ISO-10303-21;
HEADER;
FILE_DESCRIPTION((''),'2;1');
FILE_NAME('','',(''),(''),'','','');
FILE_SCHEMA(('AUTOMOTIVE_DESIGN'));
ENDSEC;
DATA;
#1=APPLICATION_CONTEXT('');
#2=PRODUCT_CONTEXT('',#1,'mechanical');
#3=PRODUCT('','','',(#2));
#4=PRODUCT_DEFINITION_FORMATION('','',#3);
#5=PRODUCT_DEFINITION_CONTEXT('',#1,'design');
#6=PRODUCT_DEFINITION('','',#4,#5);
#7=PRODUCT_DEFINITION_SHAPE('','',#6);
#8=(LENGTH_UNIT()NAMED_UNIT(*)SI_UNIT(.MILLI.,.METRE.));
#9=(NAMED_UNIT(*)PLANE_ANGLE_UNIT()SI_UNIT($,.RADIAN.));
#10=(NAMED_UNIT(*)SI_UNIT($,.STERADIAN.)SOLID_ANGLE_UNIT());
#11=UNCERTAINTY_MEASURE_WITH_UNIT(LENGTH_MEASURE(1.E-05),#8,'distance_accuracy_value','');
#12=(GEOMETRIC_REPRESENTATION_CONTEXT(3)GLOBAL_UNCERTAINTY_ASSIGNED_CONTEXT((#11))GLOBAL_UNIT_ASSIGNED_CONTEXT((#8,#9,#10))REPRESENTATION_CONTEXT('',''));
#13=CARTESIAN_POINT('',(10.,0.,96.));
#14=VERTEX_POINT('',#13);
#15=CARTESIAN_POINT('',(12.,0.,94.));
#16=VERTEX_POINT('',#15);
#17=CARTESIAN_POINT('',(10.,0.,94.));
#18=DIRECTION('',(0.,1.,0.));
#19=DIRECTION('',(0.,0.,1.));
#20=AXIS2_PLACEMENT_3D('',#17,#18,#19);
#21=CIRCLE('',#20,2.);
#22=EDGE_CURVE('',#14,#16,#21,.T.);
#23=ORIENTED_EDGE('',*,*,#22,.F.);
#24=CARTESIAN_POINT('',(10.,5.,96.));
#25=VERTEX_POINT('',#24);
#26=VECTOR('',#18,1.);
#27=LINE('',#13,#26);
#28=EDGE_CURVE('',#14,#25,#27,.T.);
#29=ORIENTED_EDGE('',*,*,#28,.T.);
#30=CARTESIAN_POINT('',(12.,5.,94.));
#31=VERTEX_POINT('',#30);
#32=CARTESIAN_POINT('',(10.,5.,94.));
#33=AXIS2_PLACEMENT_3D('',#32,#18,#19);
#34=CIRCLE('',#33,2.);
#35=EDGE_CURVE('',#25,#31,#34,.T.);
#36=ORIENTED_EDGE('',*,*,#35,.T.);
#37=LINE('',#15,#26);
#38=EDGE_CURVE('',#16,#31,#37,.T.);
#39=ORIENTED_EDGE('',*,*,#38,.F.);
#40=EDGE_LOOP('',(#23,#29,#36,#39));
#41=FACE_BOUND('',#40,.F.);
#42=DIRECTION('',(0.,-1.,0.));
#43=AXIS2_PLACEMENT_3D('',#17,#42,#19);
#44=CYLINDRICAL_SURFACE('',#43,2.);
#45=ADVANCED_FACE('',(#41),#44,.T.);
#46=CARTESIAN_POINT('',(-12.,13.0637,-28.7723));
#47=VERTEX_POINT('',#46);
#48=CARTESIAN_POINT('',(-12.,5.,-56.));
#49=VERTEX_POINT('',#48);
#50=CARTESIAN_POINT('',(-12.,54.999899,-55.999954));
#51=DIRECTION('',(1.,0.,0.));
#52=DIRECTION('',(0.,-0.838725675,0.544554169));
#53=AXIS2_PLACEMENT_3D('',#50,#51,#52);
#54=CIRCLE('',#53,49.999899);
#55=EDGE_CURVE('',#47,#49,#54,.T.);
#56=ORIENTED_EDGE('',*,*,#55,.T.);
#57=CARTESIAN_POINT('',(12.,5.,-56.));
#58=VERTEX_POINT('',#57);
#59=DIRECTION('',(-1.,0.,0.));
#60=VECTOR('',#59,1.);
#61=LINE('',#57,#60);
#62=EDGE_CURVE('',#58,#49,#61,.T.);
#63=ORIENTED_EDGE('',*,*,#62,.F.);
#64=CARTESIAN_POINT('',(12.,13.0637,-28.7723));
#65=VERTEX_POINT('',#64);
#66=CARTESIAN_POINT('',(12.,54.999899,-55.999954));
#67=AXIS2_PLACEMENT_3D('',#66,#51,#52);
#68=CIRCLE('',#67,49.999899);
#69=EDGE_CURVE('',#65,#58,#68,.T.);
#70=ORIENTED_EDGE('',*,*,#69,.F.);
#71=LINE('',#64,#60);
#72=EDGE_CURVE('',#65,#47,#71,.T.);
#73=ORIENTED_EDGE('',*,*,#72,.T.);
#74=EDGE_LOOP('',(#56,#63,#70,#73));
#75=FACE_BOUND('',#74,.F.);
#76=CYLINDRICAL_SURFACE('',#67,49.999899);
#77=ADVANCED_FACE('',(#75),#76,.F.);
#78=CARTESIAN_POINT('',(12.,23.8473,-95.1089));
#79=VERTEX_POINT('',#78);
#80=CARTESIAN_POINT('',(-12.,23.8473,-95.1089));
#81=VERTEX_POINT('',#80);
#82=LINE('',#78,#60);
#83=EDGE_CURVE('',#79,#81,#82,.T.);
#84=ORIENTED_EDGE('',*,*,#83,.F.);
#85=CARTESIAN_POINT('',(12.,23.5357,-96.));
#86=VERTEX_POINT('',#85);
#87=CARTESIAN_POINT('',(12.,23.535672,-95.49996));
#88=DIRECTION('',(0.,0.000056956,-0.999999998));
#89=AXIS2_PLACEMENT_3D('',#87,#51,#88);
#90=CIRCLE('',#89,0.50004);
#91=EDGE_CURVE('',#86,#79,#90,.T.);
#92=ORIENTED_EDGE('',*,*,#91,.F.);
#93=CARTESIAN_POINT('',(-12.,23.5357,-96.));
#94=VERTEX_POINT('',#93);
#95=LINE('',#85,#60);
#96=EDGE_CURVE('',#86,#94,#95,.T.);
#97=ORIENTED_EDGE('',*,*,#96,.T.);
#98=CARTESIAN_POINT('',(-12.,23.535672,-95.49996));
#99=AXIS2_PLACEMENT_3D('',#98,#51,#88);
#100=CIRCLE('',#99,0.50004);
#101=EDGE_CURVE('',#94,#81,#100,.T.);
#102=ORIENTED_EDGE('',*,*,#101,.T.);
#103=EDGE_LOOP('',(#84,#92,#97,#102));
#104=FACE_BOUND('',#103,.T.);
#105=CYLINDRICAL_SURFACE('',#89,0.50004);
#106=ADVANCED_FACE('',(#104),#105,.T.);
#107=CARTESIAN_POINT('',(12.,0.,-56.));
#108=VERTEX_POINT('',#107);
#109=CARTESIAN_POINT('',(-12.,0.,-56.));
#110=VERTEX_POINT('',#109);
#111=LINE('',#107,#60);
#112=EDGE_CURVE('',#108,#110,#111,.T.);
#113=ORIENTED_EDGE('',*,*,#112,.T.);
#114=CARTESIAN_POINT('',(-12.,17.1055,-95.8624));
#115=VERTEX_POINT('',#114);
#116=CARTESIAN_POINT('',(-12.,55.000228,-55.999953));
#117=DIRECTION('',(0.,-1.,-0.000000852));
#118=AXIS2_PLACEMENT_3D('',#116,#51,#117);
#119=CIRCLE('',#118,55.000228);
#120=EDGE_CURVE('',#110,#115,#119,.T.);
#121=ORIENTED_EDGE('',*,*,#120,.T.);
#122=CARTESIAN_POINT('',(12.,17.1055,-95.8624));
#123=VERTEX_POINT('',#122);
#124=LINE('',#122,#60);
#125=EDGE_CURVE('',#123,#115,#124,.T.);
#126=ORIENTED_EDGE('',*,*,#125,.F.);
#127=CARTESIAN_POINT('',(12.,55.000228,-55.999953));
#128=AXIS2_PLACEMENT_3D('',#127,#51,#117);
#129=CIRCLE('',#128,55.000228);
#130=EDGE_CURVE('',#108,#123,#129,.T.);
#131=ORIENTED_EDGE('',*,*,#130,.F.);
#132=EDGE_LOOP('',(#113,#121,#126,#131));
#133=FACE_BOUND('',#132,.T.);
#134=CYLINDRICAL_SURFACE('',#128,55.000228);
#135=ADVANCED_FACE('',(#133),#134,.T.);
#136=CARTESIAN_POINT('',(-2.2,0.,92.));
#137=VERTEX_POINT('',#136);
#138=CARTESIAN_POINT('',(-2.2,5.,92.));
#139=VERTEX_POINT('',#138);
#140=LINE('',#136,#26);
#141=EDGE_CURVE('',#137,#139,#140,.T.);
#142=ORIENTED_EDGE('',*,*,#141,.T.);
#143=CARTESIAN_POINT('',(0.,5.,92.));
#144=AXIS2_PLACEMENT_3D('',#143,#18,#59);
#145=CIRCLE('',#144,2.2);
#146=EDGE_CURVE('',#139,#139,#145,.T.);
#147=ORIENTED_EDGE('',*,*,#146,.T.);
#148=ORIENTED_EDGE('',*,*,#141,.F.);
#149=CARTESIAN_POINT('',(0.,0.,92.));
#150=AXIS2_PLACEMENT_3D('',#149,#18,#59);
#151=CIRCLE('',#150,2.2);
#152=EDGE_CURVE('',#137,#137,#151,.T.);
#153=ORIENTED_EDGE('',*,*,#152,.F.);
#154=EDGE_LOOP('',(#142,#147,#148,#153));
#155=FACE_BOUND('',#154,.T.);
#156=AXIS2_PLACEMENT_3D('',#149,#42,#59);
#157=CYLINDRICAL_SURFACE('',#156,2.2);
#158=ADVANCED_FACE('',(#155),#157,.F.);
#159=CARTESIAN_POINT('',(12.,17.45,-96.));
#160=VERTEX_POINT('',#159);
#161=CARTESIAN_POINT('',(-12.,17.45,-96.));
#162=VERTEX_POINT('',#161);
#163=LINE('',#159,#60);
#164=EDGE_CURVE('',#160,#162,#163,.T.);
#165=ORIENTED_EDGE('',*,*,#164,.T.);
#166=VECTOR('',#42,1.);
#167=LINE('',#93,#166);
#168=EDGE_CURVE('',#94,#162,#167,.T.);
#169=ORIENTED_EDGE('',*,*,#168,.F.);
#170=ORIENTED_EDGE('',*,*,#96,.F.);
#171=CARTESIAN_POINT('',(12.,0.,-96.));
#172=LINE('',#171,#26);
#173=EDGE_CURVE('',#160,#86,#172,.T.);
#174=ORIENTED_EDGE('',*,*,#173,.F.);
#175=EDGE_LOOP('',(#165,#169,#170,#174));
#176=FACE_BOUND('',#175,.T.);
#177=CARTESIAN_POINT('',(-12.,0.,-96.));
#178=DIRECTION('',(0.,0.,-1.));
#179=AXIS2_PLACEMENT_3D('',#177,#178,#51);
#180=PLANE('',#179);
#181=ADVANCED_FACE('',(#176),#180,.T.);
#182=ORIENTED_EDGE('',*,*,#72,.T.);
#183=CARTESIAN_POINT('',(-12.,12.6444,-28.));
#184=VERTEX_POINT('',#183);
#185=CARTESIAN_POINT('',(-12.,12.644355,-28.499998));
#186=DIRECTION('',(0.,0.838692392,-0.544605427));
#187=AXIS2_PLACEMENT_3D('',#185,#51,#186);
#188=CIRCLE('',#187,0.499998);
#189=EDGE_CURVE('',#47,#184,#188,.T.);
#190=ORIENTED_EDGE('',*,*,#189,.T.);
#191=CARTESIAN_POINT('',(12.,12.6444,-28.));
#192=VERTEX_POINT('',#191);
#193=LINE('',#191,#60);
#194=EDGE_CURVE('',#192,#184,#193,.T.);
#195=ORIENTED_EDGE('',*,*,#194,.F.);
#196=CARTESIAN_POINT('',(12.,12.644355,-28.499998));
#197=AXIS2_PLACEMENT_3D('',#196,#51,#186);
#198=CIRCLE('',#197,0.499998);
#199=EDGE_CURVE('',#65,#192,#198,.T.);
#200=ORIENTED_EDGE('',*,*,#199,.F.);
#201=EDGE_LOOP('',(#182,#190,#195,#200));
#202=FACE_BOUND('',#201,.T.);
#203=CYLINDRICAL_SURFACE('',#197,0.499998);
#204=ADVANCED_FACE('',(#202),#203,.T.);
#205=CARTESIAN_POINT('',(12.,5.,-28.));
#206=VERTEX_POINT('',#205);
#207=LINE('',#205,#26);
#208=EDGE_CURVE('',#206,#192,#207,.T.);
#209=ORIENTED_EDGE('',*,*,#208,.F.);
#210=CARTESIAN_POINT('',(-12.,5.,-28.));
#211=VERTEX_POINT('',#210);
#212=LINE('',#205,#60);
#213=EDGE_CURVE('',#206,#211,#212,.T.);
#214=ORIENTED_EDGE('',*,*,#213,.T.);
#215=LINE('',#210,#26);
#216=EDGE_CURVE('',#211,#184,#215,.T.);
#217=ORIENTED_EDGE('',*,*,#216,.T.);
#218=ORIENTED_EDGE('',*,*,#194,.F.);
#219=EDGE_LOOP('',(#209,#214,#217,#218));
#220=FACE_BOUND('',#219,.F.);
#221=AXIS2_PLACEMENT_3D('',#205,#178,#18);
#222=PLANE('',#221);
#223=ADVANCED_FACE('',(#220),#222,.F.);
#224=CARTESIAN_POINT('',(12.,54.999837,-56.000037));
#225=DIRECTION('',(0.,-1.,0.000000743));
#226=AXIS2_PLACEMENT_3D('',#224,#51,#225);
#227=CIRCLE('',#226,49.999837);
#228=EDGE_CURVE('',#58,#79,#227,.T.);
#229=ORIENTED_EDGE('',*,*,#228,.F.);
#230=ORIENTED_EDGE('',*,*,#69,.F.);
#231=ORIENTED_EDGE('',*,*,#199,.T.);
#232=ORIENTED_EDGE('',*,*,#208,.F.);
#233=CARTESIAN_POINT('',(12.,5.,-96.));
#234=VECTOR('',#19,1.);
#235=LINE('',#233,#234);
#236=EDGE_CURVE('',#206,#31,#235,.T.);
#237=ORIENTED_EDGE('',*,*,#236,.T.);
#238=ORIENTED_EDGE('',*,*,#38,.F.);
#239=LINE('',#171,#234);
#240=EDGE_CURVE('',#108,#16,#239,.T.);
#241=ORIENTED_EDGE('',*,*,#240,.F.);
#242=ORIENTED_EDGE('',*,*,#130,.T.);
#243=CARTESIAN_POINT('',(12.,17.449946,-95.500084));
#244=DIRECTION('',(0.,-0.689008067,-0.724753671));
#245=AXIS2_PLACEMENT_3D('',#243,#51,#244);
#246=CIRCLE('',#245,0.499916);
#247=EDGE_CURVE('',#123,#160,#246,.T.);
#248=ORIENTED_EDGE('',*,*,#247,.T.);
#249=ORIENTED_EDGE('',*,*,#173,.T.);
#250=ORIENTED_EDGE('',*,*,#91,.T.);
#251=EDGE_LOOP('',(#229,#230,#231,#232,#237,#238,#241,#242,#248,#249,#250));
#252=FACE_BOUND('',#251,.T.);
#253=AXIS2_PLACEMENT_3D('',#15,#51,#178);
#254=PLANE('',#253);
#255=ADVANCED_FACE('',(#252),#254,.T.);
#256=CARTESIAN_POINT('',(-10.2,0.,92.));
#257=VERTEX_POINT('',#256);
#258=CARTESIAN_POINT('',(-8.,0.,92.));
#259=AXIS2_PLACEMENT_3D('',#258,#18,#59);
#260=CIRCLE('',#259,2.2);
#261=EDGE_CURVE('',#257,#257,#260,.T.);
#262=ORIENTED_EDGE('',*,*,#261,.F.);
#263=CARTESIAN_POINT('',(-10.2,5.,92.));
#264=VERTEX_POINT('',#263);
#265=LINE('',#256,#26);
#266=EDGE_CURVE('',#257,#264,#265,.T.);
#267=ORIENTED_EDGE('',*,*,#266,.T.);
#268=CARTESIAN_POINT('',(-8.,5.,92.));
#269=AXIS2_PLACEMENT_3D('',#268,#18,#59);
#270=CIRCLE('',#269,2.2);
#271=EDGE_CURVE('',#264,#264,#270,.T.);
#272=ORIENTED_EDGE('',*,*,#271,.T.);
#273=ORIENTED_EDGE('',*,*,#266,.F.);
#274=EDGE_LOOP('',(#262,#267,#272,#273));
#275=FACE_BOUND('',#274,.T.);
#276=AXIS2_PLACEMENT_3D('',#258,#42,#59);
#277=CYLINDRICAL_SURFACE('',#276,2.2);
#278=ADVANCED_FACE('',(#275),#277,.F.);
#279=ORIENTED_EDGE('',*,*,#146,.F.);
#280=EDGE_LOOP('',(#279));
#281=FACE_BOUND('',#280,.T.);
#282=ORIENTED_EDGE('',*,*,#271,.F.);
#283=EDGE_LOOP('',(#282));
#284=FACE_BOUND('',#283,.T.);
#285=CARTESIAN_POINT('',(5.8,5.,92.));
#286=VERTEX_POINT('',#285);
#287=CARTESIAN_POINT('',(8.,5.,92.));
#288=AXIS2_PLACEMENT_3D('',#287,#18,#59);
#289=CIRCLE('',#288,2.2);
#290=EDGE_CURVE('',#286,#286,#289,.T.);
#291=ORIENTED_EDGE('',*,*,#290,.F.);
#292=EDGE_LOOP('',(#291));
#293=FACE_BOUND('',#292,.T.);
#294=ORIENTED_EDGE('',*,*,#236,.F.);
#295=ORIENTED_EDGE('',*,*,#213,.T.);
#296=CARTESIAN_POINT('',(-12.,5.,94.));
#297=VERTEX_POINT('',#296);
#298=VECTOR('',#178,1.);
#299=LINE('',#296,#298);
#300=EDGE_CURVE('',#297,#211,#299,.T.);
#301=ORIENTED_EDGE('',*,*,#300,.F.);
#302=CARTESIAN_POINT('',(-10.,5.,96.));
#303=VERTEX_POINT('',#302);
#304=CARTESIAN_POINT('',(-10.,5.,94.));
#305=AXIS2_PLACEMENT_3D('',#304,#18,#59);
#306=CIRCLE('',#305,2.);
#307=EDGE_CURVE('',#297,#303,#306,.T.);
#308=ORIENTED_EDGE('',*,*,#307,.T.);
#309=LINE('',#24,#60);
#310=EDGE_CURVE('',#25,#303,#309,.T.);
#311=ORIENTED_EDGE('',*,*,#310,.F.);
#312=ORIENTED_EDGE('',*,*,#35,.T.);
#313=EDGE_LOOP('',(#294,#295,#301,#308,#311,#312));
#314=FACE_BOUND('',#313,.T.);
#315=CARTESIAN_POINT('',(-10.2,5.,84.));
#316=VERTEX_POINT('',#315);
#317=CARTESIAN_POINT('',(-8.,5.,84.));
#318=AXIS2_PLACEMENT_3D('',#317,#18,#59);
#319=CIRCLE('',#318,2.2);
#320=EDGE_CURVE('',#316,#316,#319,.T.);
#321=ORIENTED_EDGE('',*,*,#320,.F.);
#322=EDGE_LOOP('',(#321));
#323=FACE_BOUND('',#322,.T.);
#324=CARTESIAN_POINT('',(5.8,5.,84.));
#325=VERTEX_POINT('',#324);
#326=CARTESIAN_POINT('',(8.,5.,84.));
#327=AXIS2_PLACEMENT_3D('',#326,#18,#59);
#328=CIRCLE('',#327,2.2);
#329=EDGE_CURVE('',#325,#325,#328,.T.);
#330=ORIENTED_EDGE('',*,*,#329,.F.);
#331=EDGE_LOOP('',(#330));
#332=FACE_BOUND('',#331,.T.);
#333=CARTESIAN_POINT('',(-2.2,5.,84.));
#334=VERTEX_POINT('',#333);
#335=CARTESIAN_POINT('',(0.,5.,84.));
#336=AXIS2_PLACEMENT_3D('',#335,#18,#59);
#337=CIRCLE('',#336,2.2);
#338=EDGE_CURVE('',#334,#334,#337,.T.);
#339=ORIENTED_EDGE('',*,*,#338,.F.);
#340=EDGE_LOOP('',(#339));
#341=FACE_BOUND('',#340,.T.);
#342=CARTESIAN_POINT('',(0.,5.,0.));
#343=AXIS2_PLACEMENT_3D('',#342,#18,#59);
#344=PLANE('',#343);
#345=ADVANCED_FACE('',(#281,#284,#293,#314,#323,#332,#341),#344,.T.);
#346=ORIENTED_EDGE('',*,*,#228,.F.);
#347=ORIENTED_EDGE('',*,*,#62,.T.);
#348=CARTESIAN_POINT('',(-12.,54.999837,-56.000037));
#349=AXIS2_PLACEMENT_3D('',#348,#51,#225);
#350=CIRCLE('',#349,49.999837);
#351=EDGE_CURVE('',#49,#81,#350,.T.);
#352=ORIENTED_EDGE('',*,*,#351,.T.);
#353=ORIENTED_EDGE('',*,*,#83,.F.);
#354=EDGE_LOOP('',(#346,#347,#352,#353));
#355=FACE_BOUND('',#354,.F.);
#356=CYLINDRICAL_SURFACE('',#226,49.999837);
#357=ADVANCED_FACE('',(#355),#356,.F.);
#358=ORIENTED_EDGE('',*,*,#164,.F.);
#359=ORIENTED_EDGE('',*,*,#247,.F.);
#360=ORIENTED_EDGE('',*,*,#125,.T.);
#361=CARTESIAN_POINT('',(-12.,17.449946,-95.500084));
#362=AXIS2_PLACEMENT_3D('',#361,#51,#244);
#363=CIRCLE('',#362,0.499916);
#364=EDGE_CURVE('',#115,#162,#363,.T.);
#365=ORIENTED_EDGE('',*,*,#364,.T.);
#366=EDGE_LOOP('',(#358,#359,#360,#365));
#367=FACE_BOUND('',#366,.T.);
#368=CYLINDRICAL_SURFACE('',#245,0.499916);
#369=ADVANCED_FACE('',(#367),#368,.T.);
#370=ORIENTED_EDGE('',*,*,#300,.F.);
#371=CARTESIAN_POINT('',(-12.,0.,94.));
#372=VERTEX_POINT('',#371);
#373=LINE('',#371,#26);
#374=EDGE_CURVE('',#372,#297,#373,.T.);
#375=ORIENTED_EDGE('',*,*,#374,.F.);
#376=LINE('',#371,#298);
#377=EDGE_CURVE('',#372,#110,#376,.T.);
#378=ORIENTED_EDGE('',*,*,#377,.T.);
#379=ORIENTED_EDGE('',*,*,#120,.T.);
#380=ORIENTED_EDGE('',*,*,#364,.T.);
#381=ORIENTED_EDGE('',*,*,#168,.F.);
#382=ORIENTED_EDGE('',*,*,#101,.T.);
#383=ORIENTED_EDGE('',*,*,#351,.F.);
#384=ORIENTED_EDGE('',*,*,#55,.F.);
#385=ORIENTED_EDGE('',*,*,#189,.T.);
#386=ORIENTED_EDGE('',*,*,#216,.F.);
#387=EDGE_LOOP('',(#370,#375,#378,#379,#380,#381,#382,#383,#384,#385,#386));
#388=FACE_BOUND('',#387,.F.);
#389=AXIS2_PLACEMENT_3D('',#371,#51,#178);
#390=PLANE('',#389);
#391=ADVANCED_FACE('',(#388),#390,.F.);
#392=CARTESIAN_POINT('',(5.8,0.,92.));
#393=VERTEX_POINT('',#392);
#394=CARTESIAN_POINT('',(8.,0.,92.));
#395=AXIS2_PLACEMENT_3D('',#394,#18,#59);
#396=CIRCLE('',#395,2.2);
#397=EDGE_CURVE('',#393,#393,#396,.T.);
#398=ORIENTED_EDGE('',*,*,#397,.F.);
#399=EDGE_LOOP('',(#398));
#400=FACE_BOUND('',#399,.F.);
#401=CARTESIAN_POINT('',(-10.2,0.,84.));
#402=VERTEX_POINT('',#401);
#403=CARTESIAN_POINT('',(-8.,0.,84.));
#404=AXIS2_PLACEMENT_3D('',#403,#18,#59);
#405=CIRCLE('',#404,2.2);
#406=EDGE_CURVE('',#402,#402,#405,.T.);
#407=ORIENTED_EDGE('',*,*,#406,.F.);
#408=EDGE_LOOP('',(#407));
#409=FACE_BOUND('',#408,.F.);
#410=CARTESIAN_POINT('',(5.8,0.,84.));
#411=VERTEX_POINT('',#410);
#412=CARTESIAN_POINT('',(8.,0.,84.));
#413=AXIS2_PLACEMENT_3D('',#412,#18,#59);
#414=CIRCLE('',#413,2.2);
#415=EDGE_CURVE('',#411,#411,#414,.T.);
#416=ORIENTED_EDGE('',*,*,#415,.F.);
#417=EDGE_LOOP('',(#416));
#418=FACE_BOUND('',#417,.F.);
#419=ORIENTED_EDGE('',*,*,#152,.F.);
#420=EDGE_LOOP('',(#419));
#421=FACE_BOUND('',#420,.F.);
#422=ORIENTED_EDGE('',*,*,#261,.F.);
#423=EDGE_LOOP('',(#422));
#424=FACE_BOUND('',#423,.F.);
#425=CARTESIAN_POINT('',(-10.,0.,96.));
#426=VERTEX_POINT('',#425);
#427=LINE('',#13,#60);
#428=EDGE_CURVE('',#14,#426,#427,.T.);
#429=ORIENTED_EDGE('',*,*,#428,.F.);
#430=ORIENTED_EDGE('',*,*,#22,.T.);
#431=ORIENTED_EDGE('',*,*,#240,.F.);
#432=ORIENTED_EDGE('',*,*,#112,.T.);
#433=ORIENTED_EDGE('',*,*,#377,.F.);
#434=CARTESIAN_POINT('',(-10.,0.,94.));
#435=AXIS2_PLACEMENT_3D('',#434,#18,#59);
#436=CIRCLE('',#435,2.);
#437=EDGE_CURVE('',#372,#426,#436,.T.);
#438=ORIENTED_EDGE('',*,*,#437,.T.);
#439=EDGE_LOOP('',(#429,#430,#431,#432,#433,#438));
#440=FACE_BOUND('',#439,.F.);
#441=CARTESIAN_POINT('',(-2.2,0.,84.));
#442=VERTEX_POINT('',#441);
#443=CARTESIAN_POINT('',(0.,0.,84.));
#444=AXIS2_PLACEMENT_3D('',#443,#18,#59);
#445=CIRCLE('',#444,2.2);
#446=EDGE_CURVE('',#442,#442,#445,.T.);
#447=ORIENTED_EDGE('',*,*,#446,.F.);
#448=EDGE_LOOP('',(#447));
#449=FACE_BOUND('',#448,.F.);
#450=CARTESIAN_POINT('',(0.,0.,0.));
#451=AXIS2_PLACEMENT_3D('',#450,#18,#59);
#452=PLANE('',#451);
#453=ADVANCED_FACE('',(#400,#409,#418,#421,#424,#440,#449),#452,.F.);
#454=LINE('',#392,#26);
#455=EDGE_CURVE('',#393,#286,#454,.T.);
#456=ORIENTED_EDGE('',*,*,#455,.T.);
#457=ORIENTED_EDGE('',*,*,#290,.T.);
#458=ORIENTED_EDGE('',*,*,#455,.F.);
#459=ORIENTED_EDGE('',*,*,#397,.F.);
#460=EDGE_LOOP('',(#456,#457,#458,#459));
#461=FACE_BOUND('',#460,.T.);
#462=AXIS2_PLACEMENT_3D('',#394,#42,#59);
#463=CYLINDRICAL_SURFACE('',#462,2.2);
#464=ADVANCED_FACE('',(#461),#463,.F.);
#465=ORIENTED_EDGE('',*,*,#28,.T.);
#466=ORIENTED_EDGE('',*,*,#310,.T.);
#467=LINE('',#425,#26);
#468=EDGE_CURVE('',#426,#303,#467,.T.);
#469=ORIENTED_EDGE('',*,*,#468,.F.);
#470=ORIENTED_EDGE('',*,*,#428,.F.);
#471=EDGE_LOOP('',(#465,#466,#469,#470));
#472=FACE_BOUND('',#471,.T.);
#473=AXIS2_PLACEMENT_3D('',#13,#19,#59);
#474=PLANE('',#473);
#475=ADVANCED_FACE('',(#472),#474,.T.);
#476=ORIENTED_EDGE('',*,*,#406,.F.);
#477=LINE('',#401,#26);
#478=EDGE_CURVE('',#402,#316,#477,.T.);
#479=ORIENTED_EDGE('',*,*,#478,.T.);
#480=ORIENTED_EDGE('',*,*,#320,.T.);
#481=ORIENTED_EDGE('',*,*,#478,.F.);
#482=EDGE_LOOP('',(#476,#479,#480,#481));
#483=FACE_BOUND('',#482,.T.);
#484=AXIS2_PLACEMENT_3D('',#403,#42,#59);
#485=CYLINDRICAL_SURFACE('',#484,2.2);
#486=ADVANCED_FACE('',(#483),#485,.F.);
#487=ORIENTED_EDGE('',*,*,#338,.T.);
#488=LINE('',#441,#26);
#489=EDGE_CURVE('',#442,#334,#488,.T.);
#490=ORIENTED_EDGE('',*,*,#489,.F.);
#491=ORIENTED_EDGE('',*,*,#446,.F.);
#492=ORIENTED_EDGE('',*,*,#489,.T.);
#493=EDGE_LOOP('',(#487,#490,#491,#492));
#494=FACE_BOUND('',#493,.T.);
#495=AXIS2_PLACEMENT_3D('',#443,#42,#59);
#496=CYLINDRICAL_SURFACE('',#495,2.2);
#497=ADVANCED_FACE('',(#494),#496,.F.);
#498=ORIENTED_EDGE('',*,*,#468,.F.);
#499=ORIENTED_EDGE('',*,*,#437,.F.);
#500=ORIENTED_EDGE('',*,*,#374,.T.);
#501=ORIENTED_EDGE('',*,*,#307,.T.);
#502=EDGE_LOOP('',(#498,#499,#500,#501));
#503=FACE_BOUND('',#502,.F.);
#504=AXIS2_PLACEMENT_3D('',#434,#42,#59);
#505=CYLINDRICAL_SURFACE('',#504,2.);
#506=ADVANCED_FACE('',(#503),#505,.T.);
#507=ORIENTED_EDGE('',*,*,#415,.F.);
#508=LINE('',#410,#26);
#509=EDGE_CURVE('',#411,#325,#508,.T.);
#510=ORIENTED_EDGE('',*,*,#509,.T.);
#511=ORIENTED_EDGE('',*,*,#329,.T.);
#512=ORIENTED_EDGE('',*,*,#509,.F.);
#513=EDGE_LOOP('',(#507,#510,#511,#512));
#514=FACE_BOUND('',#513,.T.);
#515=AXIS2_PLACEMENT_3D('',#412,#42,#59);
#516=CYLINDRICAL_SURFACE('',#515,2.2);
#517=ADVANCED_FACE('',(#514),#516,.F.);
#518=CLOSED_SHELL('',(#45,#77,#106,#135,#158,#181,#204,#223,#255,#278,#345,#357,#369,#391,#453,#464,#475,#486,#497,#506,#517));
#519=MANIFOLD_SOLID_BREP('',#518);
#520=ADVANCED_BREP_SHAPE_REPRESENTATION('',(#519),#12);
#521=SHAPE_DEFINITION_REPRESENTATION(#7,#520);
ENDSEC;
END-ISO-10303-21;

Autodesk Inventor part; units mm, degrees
ref_plane "YZ Plane" through (0, 0, 0) normal (1, 0, 0) x (0, 1, 0)
ref_plane "XZ Plane" through (0, 0, 0) normal (0, 1, 0) x (-1, 0, 0)
ref_plane "XY Plane" through (0, 0, 0) normal (0, 0, 1) x (1, 0, 0)
sketch "Sketch1" plane through (0, 0, 0) normal (0, 1, 0) x (-1, 0, 0)
  line L0 (-10, 96) -> (10, 96)
  line L1 (12, 94) -> (12, -96)
  line L2 (12, -96) -> (-12, -96)
  line L3 (-12, -96) -> (-12, 94)
  line L4 (-12, 96) -> (12, -96) construction
  line L5 (12, 96) -> (-12, -96) construction
  arc A0 (12, 94) -> (10, 96) centre (10, 94) ccw
  arc A1 (-10, 96) -> (-12, 94) centre (-10, 94) ccw
  circle A2 centre (8, 92) radius 2.2
  circle A3 centre (0, 92) radius 2.2
  circle A4 centre (-8, 92) radius 2.2
  circle A5 centre (8, 84) radius 2.2
  circle A6 centre (0, 84) radius 2.2
  circle A7 centre (-8, 84) radius 2.2
  point P0 (0, 0)
  dimension "d0" = 24
  dimension "d1" = 192
  dimension "d2" = 2
  dimension "d3" = 4.4
  dimension "d4" = 4
  dimension "d5" = 4
  dimension "d8" = 8
  dimension "d11" = 8
extrude "Extrusion1" add sketch "Sketch1" along normal blind 5
sketch "Sketch2" plane through (12, 0, 94) normal (1, 0, 0) x (0, 0, -1)
  arc A0 (150, 5) -> (189.1089, 23.8473) centre (150, 55) ccw
  line L0 (0, 5) -> (190, 5) projected
  line L1 (190, 5) -> (190, 23.5357)
  arc A1 (190, 23.5357) -> (189.1089, 23.8473) centre (189.5, 23.5357) ccw
  point P0 (94, 0)
  point P1 (190, 25)
  dimension "d16" = 100
  dimension "d17" = 40
  dimension "d18" = 0.5
extrude "Extrusion2" add sketch "Sketch2" against normal blind 24
sketch "Sketch3" plane through (12, 0, 94) normal (1, 0, 0) x (0, 0, -1)
  line L0 (0, 0) -> (190, 0) projected
  arc A0 (150, 5) -> (189.1089, 23.8473) centre (150, 55) ccw projected
  line L1 (0, 5) -> (150, 5) projected
  arc A1 (150, 0) -> (189.8624, 17.1055) centre (150, 55) ccw
  line L2 (190, 0) -> (190, 23.5357) projected
  line L3 (190, 17.2508) -> (190, 0)
  line L4 (190, 0) -> (150, 0)
  arc A2 (189.8624, 17.1055) -> (190, 17.45) centre (189.5, 17.45) ccw
  point P0 (150, 0)
  dimension "d27" = 1
  dimension "d28" = 17.2508
extrude "Extrusion3" cut sketch "Sketch3" against normal blind 24
sketch "Sketch4" plane through (12, 0, 94) normal (1, 0, 0) x (0, 0, -1)
  arc A0 (122.7723, 13.0637) -> (150, 5) centre (150, 55) ccw
  line L0 (0, 5) -> (150, 5) projected
  line L1 (190, 17.45) -> (190, 23.5357) projected
  line L2 (122, 5) -> (122, 12.6444)
  arc A1 (122.7723, 13.0637) -> (122, 12.6444) centre (122.5, 12.6444) ccw
  point P0 (94, 0)
  point P1 (122, 13.5754)
  dimension "d31" = 0.5
extrude "Extrusion4" add sketch "Sketch4" against normal blind 24
properties part number "Launcher_Arm_V1"
